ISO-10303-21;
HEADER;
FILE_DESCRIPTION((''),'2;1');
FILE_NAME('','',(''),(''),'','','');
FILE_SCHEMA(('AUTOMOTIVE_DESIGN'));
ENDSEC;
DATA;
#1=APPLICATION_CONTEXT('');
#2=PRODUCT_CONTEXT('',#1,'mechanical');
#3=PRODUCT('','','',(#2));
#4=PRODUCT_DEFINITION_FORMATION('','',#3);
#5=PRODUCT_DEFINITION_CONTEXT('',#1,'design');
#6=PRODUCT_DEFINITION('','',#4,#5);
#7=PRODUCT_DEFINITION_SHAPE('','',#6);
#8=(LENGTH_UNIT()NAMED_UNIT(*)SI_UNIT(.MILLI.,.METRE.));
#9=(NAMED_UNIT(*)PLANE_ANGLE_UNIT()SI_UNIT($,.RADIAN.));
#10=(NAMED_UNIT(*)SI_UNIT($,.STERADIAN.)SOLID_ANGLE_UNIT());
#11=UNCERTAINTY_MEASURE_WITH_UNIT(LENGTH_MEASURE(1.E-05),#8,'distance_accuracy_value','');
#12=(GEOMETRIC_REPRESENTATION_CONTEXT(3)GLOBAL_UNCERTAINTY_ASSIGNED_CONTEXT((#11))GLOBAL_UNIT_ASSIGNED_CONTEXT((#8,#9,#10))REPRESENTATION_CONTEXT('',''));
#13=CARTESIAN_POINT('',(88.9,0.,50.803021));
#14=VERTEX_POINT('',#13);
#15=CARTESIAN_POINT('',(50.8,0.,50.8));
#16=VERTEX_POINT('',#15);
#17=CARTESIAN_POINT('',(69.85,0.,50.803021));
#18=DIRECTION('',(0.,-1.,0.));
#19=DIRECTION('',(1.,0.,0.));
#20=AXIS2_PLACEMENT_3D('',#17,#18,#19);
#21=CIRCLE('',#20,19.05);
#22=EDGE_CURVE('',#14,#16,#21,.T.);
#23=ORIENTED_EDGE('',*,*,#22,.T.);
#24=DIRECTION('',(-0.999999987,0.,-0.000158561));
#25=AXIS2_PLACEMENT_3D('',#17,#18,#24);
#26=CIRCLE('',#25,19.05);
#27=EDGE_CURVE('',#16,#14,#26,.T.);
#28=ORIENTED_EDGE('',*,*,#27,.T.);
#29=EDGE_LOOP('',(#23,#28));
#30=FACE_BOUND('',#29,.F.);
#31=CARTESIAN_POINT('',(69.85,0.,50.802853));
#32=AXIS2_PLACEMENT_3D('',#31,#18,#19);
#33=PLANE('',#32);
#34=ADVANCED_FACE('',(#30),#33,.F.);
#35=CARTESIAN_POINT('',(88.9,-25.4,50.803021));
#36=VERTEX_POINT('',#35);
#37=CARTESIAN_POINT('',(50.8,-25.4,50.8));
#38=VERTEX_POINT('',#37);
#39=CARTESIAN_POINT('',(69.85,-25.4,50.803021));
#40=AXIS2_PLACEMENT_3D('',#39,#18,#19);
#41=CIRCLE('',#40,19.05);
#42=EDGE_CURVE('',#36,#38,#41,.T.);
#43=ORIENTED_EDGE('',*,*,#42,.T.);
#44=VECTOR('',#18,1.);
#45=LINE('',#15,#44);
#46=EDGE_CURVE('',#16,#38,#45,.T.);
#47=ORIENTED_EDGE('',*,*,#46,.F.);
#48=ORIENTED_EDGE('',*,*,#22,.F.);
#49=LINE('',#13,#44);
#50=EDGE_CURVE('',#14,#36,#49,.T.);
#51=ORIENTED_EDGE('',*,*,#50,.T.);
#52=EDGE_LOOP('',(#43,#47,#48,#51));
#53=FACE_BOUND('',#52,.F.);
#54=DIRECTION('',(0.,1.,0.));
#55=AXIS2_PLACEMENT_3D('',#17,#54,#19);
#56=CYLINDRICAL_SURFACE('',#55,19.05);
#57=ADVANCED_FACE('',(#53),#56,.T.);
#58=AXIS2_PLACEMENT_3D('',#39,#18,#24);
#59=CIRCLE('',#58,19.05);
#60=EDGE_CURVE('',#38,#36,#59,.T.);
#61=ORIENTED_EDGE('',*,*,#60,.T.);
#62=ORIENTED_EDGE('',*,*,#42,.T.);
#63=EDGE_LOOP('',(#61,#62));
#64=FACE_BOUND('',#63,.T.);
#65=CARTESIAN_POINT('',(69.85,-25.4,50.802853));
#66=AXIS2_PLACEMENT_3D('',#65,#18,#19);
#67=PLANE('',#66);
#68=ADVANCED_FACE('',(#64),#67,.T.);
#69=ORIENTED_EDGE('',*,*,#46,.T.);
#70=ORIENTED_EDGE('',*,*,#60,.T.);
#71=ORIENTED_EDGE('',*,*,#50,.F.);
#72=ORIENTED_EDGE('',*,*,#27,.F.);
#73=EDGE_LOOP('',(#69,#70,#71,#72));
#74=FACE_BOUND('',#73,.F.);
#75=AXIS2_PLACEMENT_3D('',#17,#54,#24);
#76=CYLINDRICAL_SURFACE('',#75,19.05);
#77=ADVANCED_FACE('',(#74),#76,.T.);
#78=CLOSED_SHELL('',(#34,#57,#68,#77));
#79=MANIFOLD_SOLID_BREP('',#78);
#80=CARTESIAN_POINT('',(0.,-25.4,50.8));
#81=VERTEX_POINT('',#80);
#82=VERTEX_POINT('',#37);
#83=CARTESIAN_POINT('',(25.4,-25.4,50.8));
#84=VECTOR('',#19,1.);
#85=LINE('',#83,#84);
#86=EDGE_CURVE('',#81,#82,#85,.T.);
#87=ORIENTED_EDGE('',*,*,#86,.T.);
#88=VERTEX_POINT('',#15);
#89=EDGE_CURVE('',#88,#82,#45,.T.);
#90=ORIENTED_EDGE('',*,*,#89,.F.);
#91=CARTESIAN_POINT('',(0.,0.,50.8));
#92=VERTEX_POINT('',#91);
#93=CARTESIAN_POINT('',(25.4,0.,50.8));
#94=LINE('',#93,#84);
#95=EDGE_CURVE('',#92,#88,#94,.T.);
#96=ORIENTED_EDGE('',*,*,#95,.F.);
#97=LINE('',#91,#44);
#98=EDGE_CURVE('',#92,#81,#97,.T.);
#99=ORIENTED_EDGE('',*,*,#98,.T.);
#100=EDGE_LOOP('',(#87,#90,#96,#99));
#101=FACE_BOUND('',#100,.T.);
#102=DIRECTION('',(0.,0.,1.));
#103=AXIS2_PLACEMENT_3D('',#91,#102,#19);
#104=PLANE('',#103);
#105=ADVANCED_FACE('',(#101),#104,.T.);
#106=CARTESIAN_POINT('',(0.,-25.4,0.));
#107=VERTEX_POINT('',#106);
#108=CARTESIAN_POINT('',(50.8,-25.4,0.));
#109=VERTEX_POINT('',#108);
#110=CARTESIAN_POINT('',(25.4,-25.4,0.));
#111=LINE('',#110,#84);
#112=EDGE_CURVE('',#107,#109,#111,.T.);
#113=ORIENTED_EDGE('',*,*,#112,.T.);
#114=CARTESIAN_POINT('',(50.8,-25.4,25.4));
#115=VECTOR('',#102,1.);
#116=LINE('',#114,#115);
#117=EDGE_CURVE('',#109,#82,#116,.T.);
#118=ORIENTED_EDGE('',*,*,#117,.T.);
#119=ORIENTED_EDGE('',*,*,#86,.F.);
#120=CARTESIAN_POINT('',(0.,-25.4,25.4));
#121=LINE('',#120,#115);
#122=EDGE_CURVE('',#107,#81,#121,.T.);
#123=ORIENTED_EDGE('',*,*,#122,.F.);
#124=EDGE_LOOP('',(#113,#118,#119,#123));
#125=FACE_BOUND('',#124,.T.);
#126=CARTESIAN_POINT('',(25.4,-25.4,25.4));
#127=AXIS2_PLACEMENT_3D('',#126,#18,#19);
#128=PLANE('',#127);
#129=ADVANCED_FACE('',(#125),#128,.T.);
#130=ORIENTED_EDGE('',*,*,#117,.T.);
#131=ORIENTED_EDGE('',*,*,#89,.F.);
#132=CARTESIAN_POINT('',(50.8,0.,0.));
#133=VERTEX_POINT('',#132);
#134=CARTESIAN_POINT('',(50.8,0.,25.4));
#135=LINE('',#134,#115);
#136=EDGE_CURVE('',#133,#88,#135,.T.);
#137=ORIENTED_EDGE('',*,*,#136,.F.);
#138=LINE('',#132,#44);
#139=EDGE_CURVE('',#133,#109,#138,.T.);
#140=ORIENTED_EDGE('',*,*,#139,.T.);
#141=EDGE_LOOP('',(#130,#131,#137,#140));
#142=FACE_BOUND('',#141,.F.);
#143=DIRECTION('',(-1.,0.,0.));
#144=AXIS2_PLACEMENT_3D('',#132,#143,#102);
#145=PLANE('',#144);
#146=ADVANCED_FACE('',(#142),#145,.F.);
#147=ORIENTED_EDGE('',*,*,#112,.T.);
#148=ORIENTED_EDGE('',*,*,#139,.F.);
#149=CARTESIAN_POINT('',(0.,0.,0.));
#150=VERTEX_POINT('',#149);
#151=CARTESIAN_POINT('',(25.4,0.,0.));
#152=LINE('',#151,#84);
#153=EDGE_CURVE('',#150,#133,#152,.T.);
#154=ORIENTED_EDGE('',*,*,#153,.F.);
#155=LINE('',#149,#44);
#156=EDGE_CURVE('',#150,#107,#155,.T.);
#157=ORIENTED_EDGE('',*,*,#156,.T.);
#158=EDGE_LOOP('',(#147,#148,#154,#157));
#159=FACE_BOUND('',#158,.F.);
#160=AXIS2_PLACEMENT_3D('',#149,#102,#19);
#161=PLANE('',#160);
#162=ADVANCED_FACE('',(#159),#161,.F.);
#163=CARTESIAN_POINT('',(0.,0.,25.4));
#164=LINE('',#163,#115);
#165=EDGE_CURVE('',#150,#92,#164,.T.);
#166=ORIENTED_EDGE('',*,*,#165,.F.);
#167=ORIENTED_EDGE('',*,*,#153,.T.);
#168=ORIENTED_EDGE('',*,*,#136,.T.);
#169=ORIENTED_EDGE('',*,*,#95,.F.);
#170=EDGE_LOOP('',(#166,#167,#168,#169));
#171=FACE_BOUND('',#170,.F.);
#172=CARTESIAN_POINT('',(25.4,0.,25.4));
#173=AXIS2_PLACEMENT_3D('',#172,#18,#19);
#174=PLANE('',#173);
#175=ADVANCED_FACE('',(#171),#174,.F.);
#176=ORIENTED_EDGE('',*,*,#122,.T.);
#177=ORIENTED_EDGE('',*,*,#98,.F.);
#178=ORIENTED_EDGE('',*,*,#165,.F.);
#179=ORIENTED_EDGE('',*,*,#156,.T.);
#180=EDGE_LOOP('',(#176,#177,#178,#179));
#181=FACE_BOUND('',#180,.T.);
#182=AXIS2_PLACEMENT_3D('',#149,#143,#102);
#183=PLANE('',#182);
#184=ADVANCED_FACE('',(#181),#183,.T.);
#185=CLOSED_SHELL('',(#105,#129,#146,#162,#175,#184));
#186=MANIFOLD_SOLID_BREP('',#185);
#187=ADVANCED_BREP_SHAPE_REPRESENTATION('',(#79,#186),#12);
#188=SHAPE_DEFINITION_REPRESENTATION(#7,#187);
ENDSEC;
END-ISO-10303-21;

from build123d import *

# Parameters (mm, degrees)
F0_W     = 50.8
F0_H     = 50.8
F1_DEPTH = 25.4


with BuildPart() as f1:
    # F0 (on Front) → F1 (new body)
    with BuildSketch(Plane.XZ):
        with Locations((25.4, 25.4)):
            Rectangle(F0_W, F0_H)
    extrude(amount=F1_DEPTH)


with BuildPart() as f1b:
    # F0 (on Front) → F1, piece 2 (new body)
    with BuildSketch(Plane.XZ):
        with BuildLine():
            ThreePointArc((88.9, 50.8030205965), (69.8484897018, 69.8530205366), (50.8000002395, 50.8))
            ThreePointArc((50.8000002395, 50.8), (69.8515102982, 31.7530206564), (88.9, 50.8030205965))
        make_face()
    extrude(amount=F1_DEPTH)


solid = Compound([f1.part, f1b.part])
